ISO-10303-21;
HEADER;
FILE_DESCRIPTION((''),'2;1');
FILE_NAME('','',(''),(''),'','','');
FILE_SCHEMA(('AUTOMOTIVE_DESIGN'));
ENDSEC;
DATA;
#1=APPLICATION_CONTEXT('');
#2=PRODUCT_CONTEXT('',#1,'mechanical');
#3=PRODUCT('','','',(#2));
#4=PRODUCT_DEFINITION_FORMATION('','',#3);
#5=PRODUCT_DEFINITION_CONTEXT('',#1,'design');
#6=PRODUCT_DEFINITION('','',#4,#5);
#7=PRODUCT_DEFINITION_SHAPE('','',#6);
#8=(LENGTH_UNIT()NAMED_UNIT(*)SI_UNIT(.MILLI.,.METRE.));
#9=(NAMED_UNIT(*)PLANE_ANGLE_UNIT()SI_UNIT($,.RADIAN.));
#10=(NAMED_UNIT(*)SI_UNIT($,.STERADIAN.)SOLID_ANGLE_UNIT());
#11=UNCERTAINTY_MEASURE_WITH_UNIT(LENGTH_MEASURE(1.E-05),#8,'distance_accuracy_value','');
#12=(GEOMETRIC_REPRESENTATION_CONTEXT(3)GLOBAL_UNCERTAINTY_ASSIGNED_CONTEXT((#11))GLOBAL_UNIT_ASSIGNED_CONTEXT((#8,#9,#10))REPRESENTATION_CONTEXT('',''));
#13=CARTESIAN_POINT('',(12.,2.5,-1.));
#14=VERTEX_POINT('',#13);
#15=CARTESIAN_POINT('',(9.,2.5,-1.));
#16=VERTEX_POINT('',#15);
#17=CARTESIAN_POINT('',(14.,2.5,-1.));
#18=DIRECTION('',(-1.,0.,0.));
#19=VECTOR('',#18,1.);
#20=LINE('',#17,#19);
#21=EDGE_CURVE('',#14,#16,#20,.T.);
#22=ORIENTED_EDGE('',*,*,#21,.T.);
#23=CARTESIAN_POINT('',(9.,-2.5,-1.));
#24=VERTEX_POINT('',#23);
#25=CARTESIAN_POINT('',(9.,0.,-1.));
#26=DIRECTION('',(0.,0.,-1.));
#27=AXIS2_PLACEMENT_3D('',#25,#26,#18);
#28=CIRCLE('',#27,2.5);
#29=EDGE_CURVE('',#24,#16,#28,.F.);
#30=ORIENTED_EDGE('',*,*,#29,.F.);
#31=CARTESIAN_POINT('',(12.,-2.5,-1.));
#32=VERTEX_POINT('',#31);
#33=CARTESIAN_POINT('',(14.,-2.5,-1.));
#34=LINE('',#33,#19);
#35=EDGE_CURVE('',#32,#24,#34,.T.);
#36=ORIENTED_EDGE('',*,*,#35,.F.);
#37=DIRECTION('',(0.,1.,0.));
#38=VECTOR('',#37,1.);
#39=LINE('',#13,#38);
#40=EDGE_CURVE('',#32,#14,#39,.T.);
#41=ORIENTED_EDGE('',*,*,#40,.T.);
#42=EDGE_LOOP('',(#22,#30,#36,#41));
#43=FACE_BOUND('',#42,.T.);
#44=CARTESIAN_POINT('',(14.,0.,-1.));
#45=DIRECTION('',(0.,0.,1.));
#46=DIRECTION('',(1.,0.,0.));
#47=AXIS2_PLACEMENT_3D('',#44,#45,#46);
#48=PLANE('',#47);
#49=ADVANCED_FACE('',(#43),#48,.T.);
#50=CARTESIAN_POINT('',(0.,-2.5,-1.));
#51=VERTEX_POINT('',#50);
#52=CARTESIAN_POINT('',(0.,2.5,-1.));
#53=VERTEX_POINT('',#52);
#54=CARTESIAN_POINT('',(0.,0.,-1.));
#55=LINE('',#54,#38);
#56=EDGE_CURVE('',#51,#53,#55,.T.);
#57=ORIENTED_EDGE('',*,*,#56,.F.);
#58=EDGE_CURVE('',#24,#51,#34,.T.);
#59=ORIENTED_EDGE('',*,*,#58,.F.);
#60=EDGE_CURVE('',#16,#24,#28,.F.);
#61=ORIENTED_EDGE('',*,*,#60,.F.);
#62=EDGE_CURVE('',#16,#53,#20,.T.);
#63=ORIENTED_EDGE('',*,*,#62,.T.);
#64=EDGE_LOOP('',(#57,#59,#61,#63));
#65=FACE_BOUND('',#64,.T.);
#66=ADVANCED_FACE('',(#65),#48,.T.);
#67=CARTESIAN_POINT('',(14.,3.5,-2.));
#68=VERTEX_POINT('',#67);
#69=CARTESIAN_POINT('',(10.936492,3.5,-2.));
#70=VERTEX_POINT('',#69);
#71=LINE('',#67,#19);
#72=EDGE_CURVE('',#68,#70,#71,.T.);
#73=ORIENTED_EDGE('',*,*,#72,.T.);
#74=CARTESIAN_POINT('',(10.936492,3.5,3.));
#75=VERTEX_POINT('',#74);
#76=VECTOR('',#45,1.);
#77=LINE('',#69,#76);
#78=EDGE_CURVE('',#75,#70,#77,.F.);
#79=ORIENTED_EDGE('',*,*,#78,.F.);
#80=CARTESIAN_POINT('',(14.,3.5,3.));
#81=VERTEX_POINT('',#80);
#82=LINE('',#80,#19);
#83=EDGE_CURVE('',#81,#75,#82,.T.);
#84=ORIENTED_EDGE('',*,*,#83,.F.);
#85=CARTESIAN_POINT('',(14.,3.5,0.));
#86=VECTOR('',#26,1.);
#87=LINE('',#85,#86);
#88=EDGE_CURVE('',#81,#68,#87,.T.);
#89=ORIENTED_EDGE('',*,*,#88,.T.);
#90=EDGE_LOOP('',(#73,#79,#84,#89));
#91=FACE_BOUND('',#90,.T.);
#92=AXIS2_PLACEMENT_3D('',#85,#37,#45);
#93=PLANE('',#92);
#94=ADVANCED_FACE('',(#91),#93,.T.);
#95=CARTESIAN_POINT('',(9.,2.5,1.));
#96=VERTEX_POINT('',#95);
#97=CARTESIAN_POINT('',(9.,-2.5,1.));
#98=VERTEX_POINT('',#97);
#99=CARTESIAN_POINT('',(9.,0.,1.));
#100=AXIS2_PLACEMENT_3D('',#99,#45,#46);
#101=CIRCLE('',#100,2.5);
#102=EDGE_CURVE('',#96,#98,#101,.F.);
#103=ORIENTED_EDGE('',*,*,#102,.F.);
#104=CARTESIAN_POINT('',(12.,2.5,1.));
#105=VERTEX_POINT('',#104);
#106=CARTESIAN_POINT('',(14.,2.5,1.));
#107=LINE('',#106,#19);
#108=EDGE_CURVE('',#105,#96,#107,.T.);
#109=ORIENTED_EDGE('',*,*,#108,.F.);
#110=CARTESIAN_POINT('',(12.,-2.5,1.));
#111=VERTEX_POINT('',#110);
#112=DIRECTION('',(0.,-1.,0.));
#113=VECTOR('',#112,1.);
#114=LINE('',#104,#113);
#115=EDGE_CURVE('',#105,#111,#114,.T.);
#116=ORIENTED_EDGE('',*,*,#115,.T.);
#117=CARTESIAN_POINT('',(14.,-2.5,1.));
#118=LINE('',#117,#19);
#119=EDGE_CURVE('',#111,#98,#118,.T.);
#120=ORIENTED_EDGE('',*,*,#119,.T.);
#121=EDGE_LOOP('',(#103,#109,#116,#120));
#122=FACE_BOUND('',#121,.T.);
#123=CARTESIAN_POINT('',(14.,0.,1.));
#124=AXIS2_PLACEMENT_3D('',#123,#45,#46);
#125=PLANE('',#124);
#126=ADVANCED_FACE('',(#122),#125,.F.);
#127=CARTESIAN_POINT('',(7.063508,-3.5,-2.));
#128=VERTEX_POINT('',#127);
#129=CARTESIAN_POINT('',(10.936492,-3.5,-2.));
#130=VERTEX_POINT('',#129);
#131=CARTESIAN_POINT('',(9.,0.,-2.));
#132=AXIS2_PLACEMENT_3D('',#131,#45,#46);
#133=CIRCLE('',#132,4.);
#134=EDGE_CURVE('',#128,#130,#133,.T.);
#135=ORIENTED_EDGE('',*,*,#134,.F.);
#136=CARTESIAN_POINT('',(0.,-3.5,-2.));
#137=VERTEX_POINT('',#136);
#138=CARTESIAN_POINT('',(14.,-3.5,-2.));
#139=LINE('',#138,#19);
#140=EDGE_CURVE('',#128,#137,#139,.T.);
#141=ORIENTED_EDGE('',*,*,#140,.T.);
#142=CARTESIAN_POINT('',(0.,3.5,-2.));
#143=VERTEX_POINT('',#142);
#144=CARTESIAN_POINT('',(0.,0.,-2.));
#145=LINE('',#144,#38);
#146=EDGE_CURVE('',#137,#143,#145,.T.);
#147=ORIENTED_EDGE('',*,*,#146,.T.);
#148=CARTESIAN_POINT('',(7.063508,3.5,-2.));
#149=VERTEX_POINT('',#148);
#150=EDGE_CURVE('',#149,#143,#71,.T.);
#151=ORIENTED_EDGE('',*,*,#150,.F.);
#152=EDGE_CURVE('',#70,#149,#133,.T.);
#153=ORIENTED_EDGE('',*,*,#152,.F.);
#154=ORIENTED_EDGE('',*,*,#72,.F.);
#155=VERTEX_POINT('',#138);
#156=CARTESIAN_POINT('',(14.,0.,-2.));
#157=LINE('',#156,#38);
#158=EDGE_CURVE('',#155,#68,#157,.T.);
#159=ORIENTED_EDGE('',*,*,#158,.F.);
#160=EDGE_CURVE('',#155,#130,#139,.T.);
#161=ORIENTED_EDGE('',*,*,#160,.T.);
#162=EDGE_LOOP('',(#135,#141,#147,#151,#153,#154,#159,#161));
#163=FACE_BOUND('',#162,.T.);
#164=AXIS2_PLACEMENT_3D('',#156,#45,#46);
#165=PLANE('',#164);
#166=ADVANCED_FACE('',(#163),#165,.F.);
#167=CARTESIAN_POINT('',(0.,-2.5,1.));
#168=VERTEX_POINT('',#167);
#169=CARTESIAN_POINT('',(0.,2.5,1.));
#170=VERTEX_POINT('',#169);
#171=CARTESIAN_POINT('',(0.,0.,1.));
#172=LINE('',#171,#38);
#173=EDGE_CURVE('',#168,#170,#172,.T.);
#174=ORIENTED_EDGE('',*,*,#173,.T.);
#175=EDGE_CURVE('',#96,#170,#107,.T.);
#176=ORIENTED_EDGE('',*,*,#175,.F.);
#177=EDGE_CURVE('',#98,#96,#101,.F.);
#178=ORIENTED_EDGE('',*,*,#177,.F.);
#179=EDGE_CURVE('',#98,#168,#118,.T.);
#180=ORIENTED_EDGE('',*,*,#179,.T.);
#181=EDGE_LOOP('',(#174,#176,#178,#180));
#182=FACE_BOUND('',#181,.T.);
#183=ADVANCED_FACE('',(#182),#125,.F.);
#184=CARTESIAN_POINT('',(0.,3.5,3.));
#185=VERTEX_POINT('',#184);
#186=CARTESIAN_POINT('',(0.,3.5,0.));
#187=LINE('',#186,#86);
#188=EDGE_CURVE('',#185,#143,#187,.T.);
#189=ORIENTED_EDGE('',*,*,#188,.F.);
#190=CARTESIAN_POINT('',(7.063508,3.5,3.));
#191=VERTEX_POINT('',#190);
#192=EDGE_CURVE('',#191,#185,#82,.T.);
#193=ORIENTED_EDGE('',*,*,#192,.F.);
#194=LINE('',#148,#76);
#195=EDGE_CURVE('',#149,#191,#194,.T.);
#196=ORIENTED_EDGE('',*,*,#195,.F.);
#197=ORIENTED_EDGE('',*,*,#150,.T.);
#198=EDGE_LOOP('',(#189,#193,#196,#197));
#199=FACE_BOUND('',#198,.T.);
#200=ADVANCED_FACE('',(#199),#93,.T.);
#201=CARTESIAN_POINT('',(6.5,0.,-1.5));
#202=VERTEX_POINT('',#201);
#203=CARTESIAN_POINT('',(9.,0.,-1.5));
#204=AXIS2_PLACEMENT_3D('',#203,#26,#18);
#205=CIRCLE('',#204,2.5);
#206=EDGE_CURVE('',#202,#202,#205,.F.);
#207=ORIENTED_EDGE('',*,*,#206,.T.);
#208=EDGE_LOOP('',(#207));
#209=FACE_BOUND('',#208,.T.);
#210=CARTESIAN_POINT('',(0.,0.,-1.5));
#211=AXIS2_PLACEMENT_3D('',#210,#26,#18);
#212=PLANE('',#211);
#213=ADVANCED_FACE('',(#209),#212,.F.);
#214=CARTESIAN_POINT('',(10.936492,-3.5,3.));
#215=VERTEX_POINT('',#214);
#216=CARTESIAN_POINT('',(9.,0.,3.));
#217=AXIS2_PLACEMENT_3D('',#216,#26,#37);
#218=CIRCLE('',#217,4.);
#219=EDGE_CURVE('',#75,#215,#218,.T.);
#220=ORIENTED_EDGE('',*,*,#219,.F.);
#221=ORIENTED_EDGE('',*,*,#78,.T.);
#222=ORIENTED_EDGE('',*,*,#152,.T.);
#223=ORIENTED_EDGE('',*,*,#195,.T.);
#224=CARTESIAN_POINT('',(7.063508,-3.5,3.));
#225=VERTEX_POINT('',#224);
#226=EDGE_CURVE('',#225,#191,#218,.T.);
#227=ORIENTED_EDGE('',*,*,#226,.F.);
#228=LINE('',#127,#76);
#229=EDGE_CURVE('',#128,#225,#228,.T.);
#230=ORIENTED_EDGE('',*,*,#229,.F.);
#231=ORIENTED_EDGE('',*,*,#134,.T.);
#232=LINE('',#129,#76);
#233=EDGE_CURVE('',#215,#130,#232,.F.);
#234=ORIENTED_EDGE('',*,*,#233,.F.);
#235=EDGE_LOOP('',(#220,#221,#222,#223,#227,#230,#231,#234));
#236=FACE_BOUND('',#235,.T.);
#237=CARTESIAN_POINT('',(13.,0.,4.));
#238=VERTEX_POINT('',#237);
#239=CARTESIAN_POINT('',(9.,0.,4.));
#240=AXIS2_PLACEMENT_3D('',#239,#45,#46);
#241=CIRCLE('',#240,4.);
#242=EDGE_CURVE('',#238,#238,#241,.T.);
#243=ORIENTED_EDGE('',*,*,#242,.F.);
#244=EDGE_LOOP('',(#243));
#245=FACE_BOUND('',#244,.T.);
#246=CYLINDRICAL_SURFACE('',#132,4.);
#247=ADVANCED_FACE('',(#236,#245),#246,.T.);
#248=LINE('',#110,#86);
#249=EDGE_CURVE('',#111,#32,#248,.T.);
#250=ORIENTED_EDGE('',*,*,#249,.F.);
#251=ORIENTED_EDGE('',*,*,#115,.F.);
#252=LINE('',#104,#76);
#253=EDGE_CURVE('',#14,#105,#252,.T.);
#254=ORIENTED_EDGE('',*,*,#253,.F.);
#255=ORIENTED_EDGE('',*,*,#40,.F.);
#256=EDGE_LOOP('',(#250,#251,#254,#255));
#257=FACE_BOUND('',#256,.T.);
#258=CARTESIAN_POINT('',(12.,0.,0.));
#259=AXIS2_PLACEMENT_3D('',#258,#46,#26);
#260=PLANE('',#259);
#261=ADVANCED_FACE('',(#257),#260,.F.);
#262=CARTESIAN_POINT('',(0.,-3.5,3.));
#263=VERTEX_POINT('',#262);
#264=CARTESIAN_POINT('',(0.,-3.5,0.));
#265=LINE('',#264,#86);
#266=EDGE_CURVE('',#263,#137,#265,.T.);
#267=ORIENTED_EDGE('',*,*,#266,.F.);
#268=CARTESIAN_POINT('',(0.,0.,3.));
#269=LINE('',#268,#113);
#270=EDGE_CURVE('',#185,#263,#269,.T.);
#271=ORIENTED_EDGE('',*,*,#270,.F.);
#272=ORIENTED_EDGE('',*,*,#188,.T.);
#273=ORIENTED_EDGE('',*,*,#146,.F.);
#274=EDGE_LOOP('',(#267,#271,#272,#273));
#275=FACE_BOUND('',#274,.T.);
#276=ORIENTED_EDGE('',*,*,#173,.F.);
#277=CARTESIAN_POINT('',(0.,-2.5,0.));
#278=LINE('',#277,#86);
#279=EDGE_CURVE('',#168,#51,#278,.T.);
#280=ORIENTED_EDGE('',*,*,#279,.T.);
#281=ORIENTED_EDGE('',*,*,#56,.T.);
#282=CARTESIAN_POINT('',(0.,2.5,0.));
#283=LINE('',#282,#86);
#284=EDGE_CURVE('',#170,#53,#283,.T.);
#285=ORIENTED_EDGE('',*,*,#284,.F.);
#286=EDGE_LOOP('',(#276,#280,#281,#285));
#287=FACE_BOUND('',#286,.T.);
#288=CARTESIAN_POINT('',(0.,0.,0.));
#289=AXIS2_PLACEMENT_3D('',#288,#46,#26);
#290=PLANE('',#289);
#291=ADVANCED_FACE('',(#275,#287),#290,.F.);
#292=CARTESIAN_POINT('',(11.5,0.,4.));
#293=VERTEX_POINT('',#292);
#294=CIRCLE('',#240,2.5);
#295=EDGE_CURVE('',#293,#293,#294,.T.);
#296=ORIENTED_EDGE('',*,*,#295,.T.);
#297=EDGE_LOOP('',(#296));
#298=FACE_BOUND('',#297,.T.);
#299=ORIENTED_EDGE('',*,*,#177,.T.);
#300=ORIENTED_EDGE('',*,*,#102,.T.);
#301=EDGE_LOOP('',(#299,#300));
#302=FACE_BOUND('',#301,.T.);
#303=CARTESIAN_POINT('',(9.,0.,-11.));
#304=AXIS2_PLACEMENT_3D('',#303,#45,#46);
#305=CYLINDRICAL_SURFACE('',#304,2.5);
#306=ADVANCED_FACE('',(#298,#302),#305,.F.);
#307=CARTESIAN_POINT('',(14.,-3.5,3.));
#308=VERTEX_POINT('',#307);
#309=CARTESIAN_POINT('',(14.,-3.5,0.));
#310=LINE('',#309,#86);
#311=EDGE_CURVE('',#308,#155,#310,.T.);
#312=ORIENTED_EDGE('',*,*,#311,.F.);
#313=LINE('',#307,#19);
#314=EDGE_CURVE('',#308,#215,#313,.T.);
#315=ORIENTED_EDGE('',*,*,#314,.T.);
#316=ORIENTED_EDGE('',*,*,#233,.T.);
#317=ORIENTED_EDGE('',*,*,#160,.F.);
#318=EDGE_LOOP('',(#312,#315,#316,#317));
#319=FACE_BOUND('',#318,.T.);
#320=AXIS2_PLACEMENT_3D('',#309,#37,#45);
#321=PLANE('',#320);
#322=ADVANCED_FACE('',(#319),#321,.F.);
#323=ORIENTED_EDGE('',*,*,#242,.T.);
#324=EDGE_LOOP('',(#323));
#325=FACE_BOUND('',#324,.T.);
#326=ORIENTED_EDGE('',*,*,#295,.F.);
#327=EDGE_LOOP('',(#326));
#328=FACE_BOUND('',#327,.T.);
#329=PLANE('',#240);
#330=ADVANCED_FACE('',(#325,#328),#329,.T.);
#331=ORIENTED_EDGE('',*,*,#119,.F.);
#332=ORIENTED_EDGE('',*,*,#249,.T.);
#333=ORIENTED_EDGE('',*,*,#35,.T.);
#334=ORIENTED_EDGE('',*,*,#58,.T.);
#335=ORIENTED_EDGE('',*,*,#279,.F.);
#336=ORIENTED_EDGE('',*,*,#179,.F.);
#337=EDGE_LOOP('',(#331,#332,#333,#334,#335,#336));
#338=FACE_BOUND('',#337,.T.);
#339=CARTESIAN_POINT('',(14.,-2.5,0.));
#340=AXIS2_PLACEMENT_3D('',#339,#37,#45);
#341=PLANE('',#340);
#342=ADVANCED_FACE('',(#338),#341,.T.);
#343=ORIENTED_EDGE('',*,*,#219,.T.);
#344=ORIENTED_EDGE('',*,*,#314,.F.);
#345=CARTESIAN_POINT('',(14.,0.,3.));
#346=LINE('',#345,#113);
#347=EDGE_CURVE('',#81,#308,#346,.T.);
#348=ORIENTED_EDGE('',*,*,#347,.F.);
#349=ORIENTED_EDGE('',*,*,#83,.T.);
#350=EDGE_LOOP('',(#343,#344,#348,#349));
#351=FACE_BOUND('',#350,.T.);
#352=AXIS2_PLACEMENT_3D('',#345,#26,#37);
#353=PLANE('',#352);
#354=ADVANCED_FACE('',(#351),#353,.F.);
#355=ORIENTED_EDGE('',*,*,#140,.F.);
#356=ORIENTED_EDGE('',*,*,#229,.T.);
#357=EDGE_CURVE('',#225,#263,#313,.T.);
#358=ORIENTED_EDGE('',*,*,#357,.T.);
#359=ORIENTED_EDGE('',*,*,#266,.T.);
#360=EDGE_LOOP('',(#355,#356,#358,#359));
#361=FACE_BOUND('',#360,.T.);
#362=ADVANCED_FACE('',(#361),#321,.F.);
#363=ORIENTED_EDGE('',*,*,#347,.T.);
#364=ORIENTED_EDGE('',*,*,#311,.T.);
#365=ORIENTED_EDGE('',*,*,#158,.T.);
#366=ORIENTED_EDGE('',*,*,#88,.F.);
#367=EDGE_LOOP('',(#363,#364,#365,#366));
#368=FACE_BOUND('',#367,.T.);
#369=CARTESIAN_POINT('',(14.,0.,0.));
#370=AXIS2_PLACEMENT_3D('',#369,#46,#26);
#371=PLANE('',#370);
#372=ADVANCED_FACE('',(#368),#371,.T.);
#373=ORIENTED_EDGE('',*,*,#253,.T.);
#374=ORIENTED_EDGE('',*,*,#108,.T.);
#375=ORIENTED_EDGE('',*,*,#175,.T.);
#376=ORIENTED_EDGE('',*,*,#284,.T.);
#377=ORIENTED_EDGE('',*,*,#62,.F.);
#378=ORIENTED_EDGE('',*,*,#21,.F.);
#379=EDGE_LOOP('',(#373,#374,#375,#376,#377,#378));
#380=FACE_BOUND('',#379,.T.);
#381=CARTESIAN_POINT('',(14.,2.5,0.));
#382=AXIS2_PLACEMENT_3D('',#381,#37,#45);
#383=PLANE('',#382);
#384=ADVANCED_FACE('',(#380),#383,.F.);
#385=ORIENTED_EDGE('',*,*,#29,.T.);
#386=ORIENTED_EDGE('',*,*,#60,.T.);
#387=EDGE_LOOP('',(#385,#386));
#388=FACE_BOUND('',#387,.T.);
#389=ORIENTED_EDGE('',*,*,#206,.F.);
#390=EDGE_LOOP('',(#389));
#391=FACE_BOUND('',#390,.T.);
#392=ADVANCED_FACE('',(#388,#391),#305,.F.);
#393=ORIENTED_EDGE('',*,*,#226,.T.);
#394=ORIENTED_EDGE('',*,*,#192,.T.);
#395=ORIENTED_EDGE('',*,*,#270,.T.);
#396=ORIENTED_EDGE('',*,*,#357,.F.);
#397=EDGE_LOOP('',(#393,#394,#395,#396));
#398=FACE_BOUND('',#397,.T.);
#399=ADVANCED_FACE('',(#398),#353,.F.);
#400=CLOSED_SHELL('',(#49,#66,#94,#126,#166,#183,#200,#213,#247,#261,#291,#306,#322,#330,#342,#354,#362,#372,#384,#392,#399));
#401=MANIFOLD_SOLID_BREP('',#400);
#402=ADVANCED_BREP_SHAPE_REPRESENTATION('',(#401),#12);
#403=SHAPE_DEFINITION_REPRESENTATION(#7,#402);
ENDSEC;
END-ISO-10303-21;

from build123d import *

# Parameters (mm, degrees)
SKETCH1_W                = 4
SKETCH1_H                = 7
SKETCH1_W_2              = 2
SKETCH1_H_2              = 5
SKETCH1_W_3              = 1
BOSS_EXTRUDE1_DEPTH      = 14
SKETCH2_R                = 2.5
CUT_EXTRUDE1_DEPTH       = 14
BOSS_EXTRUDE3_DEPTH      = 1
BOSS_EXTRUDE3_DEPTH_BACK = 5
SKETCH3_R                = 4
SKETCH3_R_2              = 2.5
SKETCH4_W                = 2
SKETCH4_H                = 5
CUT_EXTRUDE2_DEPTH       = 16.099668871
SKETCH6_W                = 5.975626827
SKETCH6_H                = 5.438491831
BOSS_EXTRUDE4_DEPTH      = 0.5
SKETCH7_W                = 2
SKETCH7_H                = 5
BOSS_EXTRUDE5_DEPTH      = 2


with BuildPart() as part:
    # Sketch1 → Boss-Extrude1 (new body)
    # profile 1 of 2: a face of its own
    with BuildSketch(Plane(origin=(0, 0, 0), x_dir=(0, 0, -1), z_dir=(1, 0, 0))):
        Rectangle(SKETCH1_W, SKETCH1_H)
        Rectangle(SKETCH1_W_2, SKETCH1_H_2, mode=Mode.SUBTRACT)
    # profile 2 of 2: a face of its own
    with BuildSketch(Plane(origin=(0, 0, 0), x_dir=(0, 0, -1), z_dir=(1, 0, 0))):
        with Locations((-2.5, 0)):
            Rectangle(SKETCH1_W_3, SKETCH1_H)
    extrude(amount=BOSS_EXTRUDE1_DEPTH)

    # Sketch2 → Cut-Extrude1 (cut)
    with BuildSketch(Plane.XY.offset(3)):
        with Locations((9, 0)):
            Circle(SKETCH2_R)
    extrude(amount=-CUT_EXTRUDE1_DEPTH, mode=Mode.SUBTRACT)

    # Sketch3 → Boss-Extrude3 (add, two sides: drawn at the far end of the back side and taken through both)
    with BuildSketch(Plane.XY.offset(3).offset(-BOSS_EXTRUDE3_DEPTH_BACK)):
        with Locations((9, 0)):
            Circle(SKETCH3_R)
        with Locations((9, 0)):
            Circle(SKETCH3_R_2, mode=Mode.SUBTRACT)
    extrude(amount=BOSS_EXTRUDE3_DEPTH + BOSS_EXTRUDE3_DEPTH_BACK)

    # Sketch4 → Cut-Extrude2 (cut, through all)
    with BuildSketch(Plane(origin=(14, 0, 0), x_dir=(0, 0, -1), z_dir=(1, 0, 0))):
        Rectangle(SKETCH4_W, SKETCH4_H)
    extrude(amount=-CUT_EXTRUDE2_DEPTH, mode=Mode.SUBTRACT)

    # Sketch6 → Boss-Extrude4 (add)
    with BuildSketch(Plane(origin=(0, 0, -2), x_dir=(-1, 0, 0), z_dir=(0, 0, -1))):
        with Locations((-9.038624366, 0.008392735)):
            Rectangle(SKETCH6_W, SKETCH6_H)
    extrude(amount=-BOSS_EXTRUDE4_DEPTH)

    # Sketch7 → Boss-Extrude5 (add)
    with BuildSketch(Plane(origin=(14, 0, 0), x_dir=(0, 0, -1), z_dir=(1, 0, 0))):
        Rectangle(SKETCH7_W, SKETCH7_H)
    extrude(amount=-BOSS_EXTRUDE5_DEPTH)


solid = part.part
